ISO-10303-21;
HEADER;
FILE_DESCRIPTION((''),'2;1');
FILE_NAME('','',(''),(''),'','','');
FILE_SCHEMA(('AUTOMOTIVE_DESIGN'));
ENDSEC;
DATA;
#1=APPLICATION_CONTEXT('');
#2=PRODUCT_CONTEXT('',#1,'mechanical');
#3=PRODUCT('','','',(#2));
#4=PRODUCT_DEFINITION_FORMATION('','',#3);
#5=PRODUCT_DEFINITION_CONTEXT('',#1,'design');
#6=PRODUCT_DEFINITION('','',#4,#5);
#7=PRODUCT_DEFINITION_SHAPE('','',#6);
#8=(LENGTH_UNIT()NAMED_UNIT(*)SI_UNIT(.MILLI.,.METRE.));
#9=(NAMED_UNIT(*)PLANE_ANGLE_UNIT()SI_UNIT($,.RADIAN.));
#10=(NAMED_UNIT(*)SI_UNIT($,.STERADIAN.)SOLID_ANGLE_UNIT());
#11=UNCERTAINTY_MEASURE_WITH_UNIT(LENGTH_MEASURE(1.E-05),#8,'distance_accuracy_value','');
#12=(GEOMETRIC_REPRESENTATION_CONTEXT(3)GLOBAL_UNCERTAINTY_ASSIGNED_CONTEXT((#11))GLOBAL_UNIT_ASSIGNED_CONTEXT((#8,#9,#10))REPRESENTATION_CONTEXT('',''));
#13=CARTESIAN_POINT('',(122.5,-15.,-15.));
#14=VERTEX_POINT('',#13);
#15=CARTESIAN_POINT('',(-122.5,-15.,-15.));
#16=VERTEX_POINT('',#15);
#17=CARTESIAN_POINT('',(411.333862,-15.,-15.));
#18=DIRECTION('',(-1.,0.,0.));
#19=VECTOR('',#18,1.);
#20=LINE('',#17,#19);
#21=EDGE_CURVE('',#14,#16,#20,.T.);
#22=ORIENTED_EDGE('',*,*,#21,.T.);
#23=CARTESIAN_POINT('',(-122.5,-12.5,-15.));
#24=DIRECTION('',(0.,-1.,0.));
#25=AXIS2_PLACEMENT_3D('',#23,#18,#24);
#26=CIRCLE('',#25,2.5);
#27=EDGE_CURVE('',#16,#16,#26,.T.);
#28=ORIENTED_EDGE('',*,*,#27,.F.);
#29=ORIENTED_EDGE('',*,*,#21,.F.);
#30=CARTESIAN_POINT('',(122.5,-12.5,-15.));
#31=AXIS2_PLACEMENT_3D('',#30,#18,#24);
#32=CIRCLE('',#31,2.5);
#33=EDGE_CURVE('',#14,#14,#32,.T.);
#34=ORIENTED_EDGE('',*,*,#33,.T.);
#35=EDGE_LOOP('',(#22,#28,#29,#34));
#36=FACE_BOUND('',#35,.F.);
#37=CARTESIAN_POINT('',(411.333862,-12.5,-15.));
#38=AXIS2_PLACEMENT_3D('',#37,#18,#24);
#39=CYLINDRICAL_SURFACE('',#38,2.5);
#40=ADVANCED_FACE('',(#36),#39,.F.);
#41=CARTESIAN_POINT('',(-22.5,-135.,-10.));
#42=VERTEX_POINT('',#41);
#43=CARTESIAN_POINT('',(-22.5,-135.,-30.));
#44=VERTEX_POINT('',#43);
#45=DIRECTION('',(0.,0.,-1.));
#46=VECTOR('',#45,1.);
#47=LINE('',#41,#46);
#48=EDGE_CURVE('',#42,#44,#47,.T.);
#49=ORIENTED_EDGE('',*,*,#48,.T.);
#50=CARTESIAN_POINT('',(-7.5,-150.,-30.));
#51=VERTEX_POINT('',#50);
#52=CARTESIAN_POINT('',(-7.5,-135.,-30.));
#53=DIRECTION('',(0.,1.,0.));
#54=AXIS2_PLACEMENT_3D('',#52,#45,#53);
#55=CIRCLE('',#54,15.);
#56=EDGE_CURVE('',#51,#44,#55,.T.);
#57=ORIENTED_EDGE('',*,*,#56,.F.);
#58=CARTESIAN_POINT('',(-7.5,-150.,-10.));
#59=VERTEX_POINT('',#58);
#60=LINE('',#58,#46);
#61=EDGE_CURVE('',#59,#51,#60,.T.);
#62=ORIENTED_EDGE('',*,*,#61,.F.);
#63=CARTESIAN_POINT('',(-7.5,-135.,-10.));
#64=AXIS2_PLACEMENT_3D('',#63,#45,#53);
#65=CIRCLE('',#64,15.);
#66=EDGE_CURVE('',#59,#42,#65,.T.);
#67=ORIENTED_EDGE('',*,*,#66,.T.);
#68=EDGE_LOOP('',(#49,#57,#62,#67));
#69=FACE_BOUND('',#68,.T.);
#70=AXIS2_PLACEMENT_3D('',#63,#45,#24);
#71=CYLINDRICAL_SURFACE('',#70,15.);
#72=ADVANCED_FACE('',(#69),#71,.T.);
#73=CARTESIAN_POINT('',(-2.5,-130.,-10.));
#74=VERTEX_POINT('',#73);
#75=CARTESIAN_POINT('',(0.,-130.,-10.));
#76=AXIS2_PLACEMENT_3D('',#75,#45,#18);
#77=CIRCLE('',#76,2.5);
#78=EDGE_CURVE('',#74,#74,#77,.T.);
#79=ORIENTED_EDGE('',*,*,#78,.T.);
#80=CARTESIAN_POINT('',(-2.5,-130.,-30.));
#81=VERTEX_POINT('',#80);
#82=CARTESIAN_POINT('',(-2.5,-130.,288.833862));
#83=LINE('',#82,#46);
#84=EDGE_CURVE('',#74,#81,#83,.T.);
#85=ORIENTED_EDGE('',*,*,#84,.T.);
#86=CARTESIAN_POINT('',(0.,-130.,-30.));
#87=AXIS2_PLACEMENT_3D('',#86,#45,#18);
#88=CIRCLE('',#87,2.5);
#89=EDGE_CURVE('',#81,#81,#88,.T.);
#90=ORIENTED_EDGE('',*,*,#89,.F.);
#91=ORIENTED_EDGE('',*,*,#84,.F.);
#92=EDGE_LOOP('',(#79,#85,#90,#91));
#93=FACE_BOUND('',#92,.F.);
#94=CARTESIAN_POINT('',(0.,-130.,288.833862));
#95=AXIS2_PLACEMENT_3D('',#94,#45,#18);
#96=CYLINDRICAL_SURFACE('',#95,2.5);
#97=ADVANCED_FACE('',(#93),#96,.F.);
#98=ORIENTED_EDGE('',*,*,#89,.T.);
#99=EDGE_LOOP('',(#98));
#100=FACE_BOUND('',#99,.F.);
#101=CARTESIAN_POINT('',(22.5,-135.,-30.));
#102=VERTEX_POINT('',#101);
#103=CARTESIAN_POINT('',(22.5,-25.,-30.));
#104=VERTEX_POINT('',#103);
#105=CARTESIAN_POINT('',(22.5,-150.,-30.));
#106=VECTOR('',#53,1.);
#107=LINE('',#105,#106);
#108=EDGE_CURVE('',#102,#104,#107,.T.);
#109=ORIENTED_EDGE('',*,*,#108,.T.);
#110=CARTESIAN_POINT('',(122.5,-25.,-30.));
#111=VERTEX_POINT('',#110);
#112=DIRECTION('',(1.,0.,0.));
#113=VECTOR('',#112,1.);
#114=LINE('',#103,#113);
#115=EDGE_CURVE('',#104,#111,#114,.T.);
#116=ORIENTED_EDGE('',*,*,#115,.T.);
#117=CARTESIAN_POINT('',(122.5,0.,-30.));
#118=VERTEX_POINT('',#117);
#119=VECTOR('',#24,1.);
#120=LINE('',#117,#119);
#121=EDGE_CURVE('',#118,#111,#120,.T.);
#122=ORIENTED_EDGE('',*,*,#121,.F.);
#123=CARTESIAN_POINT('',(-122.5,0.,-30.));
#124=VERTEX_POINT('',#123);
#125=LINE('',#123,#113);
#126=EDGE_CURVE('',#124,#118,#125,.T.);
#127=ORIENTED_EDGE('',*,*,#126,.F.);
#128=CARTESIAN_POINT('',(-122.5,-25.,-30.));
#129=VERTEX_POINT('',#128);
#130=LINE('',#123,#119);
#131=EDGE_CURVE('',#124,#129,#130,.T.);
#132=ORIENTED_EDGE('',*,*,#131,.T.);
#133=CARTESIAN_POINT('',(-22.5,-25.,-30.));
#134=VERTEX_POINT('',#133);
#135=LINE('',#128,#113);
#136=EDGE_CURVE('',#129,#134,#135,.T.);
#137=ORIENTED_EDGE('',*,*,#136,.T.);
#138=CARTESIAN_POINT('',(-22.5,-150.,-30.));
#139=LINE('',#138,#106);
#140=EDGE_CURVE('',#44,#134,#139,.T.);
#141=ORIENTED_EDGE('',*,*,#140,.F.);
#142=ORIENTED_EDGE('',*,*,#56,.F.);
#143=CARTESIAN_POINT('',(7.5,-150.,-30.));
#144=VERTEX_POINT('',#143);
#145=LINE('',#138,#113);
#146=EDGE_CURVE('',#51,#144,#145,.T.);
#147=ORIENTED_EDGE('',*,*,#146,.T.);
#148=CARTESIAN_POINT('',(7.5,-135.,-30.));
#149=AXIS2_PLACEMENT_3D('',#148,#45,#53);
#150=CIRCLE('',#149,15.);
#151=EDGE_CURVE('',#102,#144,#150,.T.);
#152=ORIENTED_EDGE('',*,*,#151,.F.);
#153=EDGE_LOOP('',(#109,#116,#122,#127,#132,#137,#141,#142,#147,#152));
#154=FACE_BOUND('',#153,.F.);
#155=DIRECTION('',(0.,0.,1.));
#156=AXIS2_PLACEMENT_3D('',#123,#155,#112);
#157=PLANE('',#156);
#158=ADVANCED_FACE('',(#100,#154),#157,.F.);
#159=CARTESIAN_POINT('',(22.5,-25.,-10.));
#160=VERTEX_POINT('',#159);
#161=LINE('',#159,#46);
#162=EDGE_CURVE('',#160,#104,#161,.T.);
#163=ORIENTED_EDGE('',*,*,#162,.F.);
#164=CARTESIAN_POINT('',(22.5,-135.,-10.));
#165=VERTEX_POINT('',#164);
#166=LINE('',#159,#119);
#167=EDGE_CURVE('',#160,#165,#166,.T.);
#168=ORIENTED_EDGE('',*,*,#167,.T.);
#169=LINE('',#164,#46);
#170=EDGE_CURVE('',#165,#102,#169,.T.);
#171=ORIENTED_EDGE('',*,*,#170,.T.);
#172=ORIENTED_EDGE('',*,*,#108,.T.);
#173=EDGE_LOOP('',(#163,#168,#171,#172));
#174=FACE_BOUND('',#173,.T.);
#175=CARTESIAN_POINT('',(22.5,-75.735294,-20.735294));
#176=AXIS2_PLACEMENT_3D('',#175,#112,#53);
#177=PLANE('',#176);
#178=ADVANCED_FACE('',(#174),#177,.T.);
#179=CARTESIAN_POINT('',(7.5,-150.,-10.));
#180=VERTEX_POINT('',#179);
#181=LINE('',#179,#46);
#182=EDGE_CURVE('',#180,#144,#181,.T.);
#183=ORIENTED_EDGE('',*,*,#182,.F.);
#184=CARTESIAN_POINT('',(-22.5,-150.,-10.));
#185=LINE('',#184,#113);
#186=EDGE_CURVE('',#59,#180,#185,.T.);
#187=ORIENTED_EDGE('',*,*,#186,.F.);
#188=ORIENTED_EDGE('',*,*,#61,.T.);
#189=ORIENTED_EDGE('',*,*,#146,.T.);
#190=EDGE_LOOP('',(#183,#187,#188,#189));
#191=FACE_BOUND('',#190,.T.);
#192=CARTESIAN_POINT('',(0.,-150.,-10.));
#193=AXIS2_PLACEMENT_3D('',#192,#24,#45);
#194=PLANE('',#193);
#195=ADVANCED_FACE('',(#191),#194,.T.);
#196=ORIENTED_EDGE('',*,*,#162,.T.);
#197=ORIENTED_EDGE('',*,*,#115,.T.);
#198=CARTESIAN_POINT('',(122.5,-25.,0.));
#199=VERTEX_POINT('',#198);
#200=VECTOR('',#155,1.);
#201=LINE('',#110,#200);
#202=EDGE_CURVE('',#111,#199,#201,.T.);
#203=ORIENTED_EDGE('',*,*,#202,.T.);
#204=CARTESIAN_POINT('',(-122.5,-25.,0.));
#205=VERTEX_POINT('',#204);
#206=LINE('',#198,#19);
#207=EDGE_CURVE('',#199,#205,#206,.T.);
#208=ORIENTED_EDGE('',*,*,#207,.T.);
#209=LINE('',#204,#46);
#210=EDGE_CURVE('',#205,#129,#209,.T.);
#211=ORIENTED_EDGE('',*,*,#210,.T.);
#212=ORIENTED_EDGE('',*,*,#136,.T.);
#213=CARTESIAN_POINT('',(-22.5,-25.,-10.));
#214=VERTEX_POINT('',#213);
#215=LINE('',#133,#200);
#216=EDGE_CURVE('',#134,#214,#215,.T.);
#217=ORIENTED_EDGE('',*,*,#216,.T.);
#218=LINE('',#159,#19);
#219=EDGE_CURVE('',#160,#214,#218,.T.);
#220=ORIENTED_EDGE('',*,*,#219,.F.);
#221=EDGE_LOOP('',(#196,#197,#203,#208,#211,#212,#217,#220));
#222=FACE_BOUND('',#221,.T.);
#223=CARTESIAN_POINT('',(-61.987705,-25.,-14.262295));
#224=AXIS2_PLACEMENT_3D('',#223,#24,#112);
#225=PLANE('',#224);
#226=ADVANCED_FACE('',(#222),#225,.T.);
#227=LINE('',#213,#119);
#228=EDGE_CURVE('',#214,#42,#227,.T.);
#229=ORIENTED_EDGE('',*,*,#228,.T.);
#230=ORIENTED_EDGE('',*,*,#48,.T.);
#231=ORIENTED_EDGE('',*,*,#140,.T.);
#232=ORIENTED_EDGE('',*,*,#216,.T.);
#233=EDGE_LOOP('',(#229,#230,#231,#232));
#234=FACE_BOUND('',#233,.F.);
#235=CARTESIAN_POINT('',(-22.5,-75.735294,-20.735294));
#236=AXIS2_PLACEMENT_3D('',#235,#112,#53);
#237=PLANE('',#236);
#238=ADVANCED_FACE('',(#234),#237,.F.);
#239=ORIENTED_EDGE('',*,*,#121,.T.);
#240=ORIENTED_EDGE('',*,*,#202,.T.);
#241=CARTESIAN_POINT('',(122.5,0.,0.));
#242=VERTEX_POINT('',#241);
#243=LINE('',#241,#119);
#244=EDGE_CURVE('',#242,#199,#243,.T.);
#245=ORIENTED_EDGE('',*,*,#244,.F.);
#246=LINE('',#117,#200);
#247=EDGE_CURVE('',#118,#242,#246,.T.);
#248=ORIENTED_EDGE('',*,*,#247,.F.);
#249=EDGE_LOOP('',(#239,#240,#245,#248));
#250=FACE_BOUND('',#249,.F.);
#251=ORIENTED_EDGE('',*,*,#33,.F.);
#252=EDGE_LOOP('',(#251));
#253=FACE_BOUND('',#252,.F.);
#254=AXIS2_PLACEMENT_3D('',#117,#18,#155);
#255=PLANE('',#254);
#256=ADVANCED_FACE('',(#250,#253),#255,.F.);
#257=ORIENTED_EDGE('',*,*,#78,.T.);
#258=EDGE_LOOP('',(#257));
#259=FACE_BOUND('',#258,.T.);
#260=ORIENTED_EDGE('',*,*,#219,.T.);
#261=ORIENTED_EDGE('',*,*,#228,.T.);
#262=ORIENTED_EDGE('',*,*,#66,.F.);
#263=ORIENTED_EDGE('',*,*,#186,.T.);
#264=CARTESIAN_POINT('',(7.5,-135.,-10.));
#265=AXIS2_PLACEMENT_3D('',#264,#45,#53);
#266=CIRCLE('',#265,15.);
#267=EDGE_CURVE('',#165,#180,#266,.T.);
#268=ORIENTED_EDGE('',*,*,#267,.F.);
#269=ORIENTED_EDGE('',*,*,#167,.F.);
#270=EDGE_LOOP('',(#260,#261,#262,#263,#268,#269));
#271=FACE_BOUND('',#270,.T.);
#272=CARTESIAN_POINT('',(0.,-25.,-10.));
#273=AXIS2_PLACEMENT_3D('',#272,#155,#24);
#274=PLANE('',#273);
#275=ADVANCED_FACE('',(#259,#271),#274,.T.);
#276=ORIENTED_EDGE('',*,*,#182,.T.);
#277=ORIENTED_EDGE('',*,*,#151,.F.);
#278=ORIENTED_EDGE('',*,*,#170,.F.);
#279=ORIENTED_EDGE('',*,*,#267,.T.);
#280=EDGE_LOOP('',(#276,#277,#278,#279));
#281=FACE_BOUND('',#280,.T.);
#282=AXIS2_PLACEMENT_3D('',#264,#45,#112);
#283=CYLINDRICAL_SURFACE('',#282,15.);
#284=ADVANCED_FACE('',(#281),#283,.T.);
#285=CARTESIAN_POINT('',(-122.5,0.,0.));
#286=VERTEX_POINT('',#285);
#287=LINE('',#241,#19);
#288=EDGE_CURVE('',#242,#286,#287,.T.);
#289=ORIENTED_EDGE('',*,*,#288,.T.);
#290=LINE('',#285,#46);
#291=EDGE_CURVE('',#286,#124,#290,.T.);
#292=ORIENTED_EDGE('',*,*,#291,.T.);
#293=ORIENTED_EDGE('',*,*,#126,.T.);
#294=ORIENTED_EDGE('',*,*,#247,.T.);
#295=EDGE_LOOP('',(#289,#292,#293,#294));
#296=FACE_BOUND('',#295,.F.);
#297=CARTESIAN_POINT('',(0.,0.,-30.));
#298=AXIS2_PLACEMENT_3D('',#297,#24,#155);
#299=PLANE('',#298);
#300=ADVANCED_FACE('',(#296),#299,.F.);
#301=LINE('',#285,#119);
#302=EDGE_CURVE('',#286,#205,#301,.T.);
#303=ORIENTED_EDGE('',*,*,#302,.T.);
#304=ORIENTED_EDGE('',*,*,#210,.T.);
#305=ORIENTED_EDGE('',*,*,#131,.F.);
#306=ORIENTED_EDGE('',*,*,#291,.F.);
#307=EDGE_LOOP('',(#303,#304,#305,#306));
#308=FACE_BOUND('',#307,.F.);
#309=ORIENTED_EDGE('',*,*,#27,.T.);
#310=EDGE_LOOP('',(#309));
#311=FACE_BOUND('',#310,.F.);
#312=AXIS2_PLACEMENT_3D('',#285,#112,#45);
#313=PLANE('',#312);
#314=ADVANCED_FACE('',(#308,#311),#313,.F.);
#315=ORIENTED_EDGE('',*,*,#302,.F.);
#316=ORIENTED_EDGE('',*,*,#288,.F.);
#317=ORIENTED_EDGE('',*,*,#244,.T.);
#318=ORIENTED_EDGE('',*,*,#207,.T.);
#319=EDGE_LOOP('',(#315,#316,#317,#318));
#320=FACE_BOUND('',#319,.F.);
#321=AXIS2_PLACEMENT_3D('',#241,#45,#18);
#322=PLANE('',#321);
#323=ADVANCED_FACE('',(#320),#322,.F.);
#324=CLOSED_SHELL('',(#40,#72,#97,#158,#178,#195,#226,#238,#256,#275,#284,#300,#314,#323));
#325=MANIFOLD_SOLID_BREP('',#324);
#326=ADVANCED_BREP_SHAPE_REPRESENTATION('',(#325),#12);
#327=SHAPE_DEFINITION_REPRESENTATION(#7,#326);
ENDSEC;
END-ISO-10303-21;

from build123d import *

# Parameters (mm, degrees)
F1_DEPTH      = 25
F3_DEPTH      = 22.5
F3_DEPTH_BACK = 22.5
F4_R          = 15
F6_D          = 5
F8_D          = 5


with BuildPart() as f1:
    # F0 (on Front) → F1 (new body)
    with BuildSketch(Plane.XZ):
        Polygon((-22.5, -20), (0, -20), (0, 0), (-122.5, 0), (-122.5, -30), (-22.5, -30), align=None)
        Polygon((0, 0), (0, -20), (22.5, -20), (22.5, -30), (122.5, -30), (122.5, 0), align=None)
    extrude(amount=F1_DEPTH)

    # F2 (on Right) → F3 (join, two sides)
    with BuildSketch(Plane.YZ) as f3_sk:
        Polygon((-25, -10), (-150, -10), (-150, -30), (0, -30), (0, -20), (-25, -20), align=None)
    extrude(amount=F3_DEPTH)
    extrude(f3_sk.sketch, amount=-F3_DEPTH_BACK)

    # F4
    f4_edges = [f1.edges().sort_by_distance(p)[0] for p in [
        (-22.5, -150, -20),
        (22.5, -150, -20),
    ]]
    fillet(f4_edges, radius=F4_R)

    # F6 (through all)
    with Locations(Plane.XY):
        with Locations((0, -130)):
            Hole(F6_D / 2)

    # F8 (through all)
    with Locations(Plane.YZ.offset(122.5)):
        with Locations((-12.5, -15)):
            Hole(F8_D / 2)


solid = f1.part
